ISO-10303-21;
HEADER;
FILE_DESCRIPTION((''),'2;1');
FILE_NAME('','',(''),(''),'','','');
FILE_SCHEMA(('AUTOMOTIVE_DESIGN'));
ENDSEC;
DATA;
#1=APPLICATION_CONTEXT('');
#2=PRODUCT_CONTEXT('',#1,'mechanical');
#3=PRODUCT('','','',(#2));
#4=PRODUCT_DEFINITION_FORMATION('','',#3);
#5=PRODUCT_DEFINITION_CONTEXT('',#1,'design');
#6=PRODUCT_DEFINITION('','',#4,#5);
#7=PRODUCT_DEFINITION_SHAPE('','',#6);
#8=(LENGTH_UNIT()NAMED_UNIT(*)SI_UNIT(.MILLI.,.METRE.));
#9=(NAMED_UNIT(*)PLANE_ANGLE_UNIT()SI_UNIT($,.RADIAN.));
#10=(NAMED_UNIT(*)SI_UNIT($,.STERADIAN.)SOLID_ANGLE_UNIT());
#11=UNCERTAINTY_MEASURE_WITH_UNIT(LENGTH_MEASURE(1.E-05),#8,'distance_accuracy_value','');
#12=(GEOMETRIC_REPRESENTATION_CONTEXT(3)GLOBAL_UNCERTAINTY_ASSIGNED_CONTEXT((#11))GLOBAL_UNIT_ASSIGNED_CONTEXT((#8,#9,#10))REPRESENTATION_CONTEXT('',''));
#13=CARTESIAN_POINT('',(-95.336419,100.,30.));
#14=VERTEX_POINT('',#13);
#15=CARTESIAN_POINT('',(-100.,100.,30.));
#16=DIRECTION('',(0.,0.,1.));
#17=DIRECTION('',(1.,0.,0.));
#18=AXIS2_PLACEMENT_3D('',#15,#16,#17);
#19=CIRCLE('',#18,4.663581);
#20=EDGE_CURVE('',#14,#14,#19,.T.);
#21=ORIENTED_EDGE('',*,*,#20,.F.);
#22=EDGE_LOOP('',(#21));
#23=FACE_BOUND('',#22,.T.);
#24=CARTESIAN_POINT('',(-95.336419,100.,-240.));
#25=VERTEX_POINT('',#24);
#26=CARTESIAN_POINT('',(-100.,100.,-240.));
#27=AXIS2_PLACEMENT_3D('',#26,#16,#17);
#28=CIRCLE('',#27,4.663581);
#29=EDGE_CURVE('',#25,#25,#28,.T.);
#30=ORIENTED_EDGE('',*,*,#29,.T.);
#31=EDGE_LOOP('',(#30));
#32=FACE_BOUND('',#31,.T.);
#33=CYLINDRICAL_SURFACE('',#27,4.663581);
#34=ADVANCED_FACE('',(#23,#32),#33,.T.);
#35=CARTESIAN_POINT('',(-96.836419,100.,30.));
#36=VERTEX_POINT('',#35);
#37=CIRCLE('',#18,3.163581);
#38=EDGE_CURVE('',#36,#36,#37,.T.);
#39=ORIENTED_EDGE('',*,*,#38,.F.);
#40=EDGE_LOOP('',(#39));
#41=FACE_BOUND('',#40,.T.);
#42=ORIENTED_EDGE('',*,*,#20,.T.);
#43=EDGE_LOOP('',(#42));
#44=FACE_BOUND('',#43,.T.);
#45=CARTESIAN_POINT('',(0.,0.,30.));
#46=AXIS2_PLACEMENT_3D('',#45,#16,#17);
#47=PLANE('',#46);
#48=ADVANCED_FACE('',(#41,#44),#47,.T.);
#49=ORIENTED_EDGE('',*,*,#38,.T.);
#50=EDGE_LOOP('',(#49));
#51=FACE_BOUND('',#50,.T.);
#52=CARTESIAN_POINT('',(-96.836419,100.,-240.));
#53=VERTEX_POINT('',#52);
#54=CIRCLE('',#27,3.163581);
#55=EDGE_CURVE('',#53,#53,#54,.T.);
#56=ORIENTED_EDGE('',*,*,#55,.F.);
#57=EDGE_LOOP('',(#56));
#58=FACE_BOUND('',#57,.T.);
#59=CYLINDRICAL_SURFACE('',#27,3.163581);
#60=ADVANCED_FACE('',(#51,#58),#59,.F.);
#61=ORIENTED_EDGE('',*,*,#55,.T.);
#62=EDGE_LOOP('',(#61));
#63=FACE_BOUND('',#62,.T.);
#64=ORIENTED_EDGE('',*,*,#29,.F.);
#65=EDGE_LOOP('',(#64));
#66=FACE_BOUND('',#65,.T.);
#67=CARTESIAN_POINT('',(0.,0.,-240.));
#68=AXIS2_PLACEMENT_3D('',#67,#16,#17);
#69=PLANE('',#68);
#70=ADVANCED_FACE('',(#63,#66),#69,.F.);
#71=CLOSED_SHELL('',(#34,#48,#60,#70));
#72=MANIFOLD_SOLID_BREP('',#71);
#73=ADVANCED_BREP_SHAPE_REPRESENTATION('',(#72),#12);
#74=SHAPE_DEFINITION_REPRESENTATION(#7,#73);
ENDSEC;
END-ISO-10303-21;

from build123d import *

# Parameters (mm, degrees)
BOSS_EXTRUDE1_DEPTH      = 30
BOSS_EXTRUDE1_DEPTH_BACK = 240
SKETCH1_R                = 4.663580846
SKETCH1_R_2              = 3.163580846


with BuildPart() as part:
    # Sketch1 → Boss-Extrude1 (new, two sides: drawn at the far end of the back side and taken through both)
    with BuildSketch(Plane.XY.offset(-BOSS_EXTRUDE1_DEPTH_BACK)):
        with Locations((-100, 100)):
            Circle(SKETCH1_R)
        with Locations((-100, 100)):
            Circle(SKETCH1_R_2, mode=Mode.SUBTRACT)
    extrude(amount=BOSS_EXTRUDE1_DEPTH + BOSS_EXTRUDE1_DEPTH_BACK)


solid = part.part
